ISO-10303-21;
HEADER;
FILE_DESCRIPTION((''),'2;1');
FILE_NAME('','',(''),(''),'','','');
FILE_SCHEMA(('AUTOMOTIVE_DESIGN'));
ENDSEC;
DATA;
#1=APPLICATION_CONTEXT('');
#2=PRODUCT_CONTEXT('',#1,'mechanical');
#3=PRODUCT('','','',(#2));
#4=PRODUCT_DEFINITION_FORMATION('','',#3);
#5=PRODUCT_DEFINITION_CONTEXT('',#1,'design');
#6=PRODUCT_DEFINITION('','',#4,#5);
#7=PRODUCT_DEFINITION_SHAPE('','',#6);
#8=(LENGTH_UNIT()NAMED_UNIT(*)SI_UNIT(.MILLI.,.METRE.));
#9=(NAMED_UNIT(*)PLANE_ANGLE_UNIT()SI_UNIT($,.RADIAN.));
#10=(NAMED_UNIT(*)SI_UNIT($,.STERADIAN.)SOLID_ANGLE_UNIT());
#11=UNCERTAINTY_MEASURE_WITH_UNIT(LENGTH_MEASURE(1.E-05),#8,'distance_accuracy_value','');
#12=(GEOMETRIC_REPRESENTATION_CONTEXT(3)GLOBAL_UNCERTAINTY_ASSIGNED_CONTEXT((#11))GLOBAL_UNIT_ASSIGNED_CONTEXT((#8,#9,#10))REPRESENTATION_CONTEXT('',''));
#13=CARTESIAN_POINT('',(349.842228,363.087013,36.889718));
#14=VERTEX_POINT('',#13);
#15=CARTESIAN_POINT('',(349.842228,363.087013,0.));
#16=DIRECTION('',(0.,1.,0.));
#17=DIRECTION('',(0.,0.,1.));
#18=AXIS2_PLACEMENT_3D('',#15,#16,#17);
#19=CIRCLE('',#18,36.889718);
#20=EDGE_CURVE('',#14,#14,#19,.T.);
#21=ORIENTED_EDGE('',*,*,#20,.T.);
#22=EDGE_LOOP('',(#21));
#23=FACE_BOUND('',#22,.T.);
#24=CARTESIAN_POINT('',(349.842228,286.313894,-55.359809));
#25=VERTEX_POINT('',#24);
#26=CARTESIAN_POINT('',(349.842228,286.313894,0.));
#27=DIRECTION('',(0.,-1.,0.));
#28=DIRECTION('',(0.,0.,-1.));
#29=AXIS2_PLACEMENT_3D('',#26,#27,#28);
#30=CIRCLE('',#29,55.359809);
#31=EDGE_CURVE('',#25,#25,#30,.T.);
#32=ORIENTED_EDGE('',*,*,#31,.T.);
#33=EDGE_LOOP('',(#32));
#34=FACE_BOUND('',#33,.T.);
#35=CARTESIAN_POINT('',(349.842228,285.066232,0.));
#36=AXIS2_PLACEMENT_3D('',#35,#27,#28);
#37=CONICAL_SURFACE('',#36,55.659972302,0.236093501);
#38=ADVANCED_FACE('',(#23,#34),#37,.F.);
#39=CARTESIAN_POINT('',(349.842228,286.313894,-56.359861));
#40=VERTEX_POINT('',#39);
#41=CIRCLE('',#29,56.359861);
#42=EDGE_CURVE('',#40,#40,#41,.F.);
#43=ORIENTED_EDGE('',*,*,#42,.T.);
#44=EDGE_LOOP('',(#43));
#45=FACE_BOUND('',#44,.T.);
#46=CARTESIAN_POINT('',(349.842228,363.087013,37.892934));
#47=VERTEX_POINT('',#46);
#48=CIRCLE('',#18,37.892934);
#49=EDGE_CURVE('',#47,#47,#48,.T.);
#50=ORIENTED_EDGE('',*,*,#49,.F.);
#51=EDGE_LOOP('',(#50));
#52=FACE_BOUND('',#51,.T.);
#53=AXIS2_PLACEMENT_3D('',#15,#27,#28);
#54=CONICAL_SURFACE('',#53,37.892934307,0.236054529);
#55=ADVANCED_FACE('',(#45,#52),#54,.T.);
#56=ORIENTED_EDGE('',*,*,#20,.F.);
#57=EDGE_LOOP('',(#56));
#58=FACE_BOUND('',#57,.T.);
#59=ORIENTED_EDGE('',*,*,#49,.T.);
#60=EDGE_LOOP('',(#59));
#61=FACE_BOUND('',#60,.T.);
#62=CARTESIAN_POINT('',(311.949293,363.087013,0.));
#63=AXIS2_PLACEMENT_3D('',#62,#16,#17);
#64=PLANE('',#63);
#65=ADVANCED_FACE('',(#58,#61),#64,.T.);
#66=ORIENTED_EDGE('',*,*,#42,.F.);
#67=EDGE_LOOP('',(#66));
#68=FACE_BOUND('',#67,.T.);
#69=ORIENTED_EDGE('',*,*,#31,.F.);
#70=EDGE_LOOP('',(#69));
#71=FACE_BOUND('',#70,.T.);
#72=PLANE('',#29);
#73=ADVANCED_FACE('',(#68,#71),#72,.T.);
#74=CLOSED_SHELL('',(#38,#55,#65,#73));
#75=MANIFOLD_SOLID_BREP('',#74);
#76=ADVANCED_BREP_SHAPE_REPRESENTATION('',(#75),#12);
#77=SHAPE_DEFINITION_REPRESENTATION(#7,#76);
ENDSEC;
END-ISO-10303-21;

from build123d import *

# Parameters (mm, degrees)
CUT_EXTRUDE2_DEPTH      = 1
CUT_EXTRUDE2_DEPTH_BACK = 1
SKETCH3_R               = 60.220882867


with BuildPart() as part:
    # Sketch1 → Revolve2 (revolve)
    with BuildSketch(Plane.XY):
        Polygon((293.241827877, 285.313893784), (294.18225546, 285.066231552), (312.952510051, 363.087013323), (311.949293455, 363.087013323), align=None)
    revolve(axis=Axis((349.842227762, 375.065911477, 0), (0, -1, 0)))

    # Sketch3 → Cut-Extrude2 (cut, two sides: drawn at the far end of the back side and taken through both)
    with BuildSketch(Plane(origin=(0, 285.313893784, 0), x_dir=(-1, 0, 0), z_dir=(0, -1, 0)).offset(-CUT_EXTRUDE2_DEPTH_BACK)):
        with Locations((-349.842227762, 0)):
            Circle(SKETCH3_R)
    extrude(amount=CUT_EXTRUDE2_DEPTH + CUT_EXTRUDE2_DEPTH_BACK, mode=Mode.SUBTRACT)


solid = part.part
